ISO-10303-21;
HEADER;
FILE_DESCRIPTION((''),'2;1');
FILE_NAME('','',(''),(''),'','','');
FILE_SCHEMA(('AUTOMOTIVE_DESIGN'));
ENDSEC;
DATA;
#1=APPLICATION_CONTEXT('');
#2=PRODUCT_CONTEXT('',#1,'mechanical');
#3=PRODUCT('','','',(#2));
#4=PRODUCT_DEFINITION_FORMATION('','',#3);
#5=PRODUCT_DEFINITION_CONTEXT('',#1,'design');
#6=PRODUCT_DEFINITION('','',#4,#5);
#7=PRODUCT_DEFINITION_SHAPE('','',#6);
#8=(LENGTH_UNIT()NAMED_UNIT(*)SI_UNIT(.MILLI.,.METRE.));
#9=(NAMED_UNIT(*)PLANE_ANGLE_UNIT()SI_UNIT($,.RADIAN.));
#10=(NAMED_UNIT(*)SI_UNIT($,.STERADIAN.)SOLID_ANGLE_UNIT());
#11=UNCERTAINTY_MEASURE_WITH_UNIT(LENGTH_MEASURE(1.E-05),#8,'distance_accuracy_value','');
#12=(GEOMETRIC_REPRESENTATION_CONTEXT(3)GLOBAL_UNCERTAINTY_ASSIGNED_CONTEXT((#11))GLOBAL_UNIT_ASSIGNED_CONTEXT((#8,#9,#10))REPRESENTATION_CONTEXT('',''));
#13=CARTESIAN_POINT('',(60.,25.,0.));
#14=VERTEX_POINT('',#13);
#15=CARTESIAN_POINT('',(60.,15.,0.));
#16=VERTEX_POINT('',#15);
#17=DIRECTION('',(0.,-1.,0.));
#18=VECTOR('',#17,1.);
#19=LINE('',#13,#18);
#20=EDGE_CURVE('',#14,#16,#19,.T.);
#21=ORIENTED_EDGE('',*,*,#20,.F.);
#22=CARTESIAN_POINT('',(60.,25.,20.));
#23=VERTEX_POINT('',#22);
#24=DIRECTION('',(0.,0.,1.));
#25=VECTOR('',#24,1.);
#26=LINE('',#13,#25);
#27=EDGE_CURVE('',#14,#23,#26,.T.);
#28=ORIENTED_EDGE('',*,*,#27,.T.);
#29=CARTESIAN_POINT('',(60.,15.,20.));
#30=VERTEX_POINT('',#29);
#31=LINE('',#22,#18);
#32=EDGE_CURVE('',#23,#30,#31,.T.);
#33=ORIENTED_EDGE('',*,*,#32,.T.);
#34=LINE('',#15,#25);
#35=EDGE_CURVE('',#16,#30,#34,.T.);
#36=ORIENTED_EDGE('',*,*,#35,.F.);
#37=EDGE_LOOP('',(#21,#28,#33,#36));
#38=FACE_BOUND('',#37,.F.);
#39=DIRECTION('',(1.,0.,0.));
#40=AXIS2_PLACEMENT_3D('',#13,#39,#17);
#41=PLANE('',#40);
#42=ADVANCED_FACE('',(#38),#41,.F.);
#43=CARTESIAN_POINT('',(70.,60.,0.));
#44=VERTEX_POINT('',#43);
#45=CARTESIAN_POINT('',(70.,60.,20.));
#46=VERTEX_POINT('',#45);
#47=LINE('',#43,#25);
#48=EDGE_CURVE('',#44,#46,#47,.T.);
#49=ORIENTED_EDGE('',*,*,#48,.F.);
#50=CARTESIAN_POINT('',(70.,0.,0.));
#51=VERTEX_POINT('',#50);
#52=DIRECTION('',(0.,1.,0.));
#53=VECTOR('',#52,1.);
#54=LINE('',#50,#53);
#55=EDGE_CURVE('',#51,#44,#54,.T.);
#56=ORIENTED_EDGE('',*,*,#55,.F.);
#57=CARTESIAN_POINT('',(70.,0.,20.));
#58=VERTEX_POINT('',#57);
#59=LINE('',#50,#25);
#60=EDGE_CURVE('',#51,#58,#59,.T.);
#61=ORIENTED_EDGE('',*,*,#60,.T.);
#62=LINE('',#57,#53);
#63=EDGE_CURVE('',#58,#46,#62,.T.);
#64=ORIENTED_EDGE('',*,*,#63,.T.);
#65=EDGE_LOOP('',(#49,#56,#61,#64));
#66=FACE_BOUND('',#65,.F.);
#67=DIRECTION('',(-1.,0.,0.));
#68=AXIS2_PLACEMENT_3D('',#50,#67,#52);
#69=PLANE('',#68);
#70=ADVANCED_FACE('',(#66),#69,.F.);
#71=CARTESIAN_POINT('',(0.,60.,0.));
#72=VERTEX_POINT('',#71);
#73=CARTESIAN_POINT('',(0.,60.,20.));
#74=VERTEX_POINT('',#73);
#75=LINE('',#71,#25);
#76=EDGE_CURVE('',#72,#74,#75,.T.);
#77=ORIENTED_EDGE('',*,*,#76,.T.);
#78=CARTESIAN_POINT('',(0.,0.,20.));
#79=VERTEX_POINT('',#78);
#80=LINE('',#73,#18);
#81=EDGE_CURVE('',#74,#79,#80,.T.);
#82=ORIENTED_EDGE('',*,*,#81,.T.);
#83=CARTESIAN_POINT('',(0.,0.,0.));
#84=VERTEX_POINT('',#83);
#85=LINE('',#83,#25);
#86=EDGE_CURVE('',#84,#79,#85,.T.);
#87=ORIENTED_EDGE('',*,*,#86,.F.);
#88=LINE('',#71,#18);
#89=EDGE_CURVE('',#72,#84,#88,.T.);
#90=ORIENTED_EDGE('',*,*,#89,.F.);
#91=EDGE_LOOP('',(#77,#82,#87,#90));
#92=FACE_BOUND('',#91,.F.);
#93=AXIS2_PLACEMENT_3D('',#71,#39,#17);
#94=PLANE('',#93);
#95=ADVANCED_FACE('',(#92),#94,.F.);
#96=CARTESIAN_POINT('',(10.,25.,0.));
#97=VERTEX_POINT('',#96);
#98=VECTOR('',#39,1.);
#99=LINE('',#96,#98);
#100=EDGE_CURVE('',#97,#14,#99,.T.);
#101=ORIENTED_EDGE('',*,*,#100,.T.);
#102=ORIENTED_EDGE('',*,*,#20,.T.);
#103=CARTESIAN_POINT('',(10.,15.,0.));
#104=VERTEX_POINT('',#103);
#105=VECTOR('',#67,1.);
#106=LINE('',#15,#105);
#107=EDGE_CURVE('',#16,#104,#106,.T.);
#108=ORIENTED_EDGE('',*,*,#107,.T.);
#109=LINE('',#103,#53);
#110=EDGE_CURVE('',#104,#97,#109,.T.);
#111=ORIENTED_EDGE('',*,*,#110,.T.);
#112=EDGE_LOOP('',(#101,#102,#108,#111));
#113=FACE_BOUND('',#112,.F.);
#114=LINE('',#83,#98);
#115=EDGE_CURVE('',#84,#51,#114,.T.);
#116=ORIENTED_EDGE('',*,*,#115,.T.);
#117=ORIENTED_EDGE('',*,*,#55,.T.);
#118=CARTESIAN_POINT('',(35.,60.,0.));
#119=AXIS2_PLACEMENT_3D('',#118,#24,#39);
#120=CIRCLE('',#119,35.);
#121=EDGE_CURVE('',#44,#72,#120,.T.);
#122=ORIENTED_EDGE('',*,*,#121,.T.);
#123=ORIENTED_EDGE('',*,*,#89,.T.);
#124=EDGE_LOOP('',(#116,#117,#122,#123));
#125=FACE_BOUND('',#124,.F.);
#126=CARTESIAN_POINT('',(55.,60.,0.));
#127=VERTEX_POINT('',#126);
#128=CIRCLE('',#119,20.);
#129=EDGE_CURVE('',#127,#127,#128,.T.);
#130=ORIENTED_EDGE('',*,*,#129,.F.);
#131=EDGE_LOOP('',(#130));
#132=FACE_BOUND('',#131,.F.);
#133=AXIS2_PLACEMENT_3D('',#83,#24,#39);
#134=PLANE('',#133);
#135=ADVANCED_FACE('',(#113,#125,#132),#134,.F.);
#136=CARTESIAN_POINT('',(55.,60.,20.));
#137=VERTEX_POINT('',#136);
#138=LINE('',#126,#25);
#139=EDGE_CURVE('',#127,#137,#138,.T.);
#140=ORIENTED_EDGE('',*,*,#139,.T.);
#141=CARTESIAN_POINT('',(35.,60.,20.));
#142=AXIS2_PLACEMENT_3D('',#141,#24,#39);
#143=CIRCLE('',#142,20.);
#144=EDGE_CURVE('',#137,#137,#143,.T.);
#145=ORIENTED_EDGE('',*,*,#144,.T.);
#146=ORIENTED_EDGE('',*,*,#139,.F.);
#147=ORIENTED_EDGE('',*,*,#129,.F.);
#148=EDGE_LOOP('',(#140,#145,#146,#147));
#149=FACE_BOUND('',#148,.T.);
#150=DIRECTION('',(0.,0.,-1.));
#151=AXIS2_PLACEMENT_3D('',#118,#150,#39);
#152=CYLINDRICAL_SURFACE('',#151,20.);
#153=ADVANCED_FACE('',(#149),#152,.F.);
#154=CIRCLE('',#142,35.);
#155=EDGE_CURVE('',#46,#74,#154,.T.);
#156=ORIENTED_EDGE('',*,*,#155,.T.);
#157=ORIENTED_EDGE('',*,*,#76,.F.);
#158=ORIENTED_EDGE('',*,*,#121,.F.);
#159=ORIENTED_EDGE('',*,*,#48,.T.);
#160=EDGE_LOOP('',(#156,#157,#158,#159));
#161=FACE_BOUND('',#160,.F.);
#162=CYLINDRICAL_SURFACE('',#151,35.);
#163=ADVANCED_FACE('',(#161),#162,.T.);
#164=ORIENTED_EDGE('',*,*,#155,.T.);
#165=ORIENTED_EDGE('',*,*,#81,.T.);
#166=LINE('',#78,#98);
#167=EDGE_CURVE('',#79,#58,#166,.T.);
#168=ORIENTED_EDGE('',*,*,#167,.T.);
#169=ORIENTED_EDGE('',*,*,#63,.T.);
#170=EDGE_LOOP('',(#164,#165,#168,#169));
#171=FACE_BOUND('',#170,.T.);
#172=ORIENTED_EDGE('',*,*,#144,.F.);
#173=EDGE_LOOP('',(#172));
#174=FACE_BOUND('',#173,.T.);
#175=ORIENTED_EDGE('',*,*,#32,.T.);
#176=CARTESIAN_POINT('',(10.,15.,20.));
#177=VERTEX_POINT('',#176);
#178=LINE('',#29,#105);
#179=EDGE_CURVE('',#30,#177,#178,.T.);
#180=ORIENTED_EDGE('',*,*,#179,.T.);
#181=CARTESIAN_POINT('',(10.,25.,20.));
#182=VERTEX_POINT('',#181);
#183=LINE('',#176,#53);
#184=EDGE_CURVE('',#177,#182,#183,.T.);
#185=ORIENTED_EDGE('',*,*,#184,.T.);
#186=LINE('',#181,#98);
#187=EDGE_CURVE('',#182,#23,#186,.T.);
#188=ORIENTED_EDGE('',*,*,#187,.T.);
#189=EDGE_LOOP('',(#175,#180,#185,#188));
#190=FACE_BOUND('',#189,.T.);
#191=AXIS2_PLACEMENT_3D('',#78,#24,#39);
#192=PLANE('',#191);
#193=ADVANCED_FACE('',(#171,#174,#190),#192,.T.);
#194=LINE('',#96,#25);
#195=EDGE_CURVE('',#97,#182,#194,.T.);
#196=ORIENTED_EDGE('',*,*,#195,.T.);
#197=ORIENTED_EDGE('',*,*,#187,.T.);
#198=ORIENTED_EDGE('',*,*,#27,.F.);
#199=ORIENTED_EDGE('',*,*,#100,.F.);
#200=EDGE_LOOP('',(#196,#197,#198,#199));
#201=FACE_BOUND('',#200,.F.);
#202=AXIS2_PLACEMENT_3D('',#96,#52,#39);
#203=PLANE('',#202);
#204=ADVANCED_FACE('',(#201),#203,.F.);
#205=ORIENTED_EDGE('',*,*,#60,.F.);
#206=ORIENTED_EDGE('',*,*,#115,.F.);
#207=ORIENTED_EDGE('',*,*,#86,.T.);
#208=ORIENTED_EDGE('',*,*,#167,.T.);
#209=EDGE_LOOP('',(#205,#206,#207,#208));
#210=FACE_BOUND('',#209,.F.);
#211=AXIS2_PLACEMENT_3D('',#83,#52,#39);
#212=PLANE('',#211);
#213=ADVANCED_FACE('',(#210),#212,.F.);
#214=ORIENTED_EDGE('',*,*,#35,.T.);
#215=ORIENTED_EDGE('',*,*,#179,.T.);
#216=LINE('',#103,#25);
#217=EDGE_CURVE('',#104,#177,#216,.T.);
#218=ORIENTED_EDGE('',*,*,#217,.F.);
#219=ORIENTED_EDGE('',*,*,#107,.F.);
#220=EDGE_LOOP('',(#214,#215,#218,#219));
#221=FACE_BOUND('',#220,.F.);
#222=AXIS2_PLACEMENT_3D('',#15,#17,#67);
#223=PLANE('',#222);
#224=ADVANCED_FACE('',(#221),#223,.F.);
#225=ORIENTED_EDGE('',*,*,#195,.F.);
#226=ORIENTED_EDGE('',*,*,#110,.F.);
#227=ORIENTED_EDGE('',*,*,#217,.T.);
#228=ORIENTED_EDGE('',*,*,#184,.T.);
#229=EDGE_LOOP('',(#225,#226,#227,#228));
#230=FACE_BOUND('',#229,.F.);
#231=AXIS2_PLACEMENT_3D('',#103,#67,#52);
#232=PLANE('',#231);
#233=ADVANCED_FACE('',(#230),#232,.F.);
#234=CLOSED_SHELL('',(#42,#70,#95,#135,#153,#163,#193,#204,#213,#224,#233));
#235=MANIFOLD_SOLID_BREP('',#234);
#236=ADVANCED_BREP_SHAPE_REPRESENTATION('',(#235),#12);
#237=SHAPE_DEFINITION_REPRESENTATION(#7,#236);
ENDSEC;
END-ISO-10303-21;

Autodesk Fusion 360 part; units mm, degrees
sketch "Sketch1" plane through (0, 0, 0) normal (0, 0, 1) x (1, 0, 0)
  line L0 (0, 0) -> (70, 0)
  line L1 (70, 0) -> (70, 60)
  line L2 (0, 60) -> (0, 0)
  circle A0 centre (35, 60) radius 20
  line L3 (10, 25) -> (60, 25)
  line L4 (60, 25) -> (60, 15)
  line L5 (60, 15) -> (10, 15)
  line L6 (10, 15) -> (10, 25)
  arc A1 (70, 60) -> (0, 60) centre (35, 60) ccw
  dimension "d1" = 70
  dimension "d2" = 60
  dimension "d3" = 40
  dimension "d4" = 10
  dimension "d5" = 15
  dimension "d6" = 10
  dimension "d7" = 50
extrude "Extrude1" add sketch "Sketch1" along normal blind 20
